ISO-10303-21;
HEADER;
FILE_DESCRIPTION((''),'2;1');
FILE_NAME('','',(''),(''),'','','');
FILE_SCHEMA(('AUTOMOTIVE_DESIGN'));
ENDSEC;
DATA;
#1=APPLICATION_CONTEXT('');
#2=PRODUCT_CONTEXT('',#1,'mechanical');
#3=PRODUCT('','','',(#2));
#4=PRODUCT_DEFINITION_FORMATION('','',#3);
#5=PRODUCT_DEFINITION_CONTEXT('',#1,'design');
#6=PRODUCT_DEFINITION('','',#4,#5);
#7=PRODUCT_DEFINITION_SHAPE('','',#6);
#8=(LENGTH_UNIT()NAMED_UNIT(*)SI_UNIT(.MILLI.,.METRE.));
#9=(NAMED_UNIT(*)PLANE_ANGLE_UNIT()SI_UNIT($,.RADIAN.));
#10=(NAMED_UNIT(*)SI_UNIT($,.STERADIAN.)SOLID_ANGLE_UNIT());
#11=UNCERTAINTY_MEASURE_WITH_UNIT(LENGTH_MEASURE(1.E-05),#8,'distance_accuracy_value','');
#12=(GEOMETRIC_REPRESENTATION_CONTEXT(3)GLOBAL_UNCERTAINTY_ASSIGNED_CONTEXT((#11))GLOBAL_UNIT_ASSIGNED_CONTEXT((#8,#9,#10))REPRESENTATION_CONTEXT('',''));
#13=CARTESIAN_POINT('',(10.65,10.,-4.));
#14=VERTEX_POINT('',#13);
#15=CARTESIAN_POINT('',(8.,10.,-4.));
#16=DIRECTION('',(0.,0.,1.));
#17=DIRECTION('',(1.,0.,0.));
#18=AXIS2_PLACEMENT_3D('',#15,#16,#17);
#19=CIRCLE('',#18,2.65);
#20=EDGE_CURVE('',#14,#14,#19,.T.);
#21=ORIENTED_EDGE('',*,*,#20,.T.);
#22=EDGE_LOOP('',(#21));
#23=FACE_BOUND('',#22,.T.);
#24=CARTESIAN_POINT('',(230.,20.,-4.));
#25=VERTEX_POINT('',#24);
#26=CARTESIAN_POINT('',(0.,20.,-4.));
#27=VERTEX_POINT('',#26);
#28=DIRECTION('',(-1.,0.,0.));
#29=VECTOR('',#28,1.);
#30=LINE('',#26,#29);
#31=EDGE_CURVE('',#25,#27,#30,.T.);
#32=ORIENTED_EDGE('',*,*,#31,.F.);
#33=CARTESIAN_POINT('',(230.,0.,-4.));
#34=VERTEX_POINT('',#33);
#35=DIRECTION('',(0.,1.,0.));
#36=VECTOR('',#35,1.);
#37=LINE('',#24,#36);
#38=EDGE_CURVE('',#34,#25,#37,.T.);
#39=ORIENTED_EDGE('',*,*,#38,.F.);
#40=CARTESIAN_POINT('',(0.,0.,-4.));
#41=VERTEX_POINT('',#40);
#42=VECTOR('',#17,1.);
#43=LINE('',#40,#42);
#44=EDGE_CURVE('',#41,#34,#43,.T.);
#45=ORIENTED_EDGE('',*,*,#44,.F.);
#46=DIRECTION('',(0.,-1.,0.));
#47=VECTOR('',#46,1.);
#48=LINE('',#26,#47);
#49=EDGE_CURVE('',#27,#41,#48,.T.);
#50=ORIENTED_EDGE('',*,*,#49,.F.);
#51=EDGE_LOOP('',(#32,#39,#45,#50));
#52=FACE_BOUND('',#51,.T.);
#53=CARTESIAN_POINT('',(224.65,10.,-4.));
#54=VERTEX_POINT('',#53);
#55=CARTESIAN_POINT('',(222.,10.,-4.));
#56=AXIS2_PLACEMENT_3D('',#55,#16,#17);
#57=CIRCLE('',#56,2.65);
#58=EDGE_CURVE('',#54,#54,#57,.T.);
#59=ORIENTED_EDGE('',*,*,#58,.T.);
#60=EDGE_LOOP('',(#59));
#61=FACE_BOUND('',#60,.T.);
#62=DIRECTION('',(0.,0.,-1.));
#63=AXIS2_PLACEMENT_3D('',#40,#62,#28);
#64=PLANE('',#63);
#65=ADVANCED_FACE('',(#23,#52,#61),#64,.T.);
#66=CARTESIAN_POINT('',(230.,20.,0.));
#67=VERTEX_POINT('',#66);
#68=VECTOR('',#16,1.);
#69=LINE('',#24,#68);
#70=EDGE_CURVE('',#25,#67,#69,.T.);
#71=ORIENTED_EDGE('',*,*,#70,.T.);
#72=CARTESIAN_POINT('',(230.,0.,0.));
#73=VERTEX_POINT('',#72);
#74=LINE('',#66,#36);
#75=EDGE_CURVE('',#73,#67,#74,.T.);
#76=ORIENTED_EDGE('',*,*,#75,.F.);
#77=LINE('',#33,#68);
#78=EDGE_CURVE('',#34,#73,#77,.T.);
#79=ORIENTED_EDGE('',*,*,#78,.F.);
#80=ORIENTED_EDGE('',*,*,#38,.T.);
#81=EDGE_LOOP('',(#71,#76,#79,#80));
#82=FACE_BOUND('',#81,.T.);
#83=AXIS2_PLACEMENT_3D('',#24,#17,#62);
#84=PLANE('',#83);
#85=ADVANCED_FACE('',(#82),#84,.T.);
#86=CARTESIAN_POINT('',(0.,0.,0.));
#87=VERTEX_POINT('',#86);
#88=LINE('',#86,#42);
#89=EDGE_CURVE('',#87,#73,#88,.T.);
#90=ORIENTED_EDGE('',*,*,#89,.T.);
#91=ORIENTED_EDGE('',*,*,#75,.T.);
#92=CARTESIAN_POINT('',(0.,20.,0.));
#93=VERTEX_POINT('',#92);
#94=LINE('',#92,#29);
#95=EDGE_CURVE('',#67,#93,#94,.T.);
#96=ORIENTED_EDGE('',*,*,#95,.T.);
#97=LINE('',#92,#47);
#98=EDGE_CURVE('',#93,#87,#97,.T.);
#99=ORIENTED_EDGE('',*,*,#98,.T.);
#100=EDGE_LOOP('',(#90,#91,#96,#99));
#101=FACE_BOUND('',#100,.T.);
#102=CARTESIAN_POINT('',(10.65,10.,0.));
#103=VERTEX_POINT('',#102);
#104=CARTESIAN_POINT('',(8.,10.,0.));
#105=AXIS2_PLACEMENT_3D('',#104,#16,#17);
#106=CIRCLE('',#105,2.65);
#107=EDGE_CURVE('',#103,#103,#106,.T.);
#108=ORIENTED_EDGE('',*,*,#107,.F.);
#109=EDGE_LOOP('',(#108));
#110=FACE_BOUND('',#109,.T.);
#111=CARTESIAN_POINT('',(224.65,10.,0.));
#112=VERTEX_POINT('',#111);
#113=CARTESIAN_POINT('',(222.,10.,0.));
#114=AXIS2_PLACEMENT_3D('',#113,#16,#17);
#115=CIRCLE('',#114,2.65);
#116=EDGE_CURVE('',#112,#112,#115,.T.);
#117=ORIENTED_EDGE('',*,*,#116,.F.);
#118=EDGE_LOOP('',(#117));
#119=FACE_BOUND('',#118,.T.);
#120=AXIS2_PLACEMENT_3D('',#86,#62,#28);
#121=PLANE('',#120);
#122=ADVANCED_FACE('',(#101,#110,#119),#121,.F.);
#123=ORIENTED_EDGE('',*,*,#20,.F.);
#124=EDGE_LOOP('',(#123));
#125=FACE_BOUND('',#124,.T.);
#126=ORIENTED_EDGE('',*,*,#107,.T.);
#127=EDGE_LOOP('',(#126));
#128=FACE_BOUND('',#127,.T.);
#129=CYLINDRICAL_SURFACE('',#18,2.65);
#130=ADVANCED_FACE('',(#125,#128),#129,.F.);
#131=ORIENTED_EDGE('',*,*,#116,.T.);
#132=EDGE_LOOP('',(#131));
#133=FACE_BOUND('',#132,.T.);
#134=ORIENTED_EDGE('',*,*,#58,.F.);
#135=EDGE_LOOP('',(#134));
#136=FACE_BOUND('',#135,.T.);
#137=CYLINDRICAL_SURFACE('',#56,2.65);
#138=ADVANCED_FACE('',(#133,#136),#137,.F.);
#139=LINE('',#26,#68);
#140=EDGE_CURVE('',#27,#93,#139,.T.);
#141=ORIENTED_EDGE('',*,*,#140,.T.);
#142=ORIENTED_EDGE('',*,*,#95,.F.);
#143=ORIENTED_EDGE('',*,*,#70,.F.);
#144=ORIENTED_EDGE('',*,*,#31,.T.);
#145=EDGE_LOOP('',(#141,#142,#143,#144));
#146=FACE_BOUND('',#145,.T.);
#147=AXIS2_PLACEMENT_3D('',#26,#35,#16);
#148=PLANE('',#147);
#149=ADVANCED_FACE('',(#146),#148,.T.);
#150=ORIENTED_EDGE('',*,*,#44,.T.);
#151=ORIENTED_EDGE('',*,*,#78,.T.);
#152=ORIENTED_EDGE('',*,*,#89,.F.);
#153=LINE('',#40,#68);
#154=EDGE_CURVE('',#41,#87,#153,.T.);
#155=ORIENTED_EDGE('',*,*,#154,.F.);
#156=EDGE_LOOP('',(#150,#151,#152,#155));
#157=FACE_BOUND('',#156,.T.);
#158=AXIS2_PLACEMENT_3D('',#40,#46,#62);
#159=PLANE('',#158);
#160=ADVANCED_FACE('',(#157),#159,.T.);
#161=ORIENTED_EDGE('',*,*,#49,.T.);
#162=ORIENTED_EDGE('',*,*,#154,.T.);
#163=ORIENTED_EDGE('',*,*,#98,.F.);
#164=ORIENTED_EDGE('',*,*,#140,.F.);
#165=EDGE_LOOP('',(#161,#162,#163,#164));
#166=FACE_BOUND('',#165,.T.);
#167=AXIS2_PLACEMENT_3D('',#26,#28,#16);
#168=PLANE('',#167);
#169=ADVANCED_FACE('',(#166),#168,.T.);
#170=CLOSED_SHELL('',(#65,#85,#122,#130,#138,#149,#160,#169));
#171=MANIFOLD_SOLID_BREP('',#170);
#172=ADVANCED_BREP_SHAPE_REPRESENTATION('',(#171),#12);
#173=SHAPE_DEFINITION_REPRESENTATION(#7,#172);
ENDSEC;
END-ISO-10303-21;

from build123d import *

# Parameters (mm, degrees)
EXTRUSION_BASE_SKETCH_W      = 230
EXTRUSION_BASE_SKETCH_H      = 20
EXTRUSION_BASE_SKETCH_R      = 2.65
EXTRUSION_BASE_EXTRUDE_DEPTH = 4


with BuildPart() as part:
    # Extrusion Base Sketch → Extrusion Base Extrude (new body)
    with BuildSketch(Plane.XY):
        with Locations((115, 10)):
            Rectangle(EXTRUSION_BASE_SKETCH_W, EXTRUSION_BASE_SKETCH_H)
        with Locations((8, 10)):
            Circle(EXTRUSION_BASE_SKETCH_R, mode=Mode.SUBTRACT)
        with Locations((222, 10)):
            Circle(EXTRUSION_BASE_SKETCH_R, mode=Mode.SUBTRACT)
    extrude(amount=-EXTRUSION_BASE_EXTRUDE_DEPTH)


solid = part.part
